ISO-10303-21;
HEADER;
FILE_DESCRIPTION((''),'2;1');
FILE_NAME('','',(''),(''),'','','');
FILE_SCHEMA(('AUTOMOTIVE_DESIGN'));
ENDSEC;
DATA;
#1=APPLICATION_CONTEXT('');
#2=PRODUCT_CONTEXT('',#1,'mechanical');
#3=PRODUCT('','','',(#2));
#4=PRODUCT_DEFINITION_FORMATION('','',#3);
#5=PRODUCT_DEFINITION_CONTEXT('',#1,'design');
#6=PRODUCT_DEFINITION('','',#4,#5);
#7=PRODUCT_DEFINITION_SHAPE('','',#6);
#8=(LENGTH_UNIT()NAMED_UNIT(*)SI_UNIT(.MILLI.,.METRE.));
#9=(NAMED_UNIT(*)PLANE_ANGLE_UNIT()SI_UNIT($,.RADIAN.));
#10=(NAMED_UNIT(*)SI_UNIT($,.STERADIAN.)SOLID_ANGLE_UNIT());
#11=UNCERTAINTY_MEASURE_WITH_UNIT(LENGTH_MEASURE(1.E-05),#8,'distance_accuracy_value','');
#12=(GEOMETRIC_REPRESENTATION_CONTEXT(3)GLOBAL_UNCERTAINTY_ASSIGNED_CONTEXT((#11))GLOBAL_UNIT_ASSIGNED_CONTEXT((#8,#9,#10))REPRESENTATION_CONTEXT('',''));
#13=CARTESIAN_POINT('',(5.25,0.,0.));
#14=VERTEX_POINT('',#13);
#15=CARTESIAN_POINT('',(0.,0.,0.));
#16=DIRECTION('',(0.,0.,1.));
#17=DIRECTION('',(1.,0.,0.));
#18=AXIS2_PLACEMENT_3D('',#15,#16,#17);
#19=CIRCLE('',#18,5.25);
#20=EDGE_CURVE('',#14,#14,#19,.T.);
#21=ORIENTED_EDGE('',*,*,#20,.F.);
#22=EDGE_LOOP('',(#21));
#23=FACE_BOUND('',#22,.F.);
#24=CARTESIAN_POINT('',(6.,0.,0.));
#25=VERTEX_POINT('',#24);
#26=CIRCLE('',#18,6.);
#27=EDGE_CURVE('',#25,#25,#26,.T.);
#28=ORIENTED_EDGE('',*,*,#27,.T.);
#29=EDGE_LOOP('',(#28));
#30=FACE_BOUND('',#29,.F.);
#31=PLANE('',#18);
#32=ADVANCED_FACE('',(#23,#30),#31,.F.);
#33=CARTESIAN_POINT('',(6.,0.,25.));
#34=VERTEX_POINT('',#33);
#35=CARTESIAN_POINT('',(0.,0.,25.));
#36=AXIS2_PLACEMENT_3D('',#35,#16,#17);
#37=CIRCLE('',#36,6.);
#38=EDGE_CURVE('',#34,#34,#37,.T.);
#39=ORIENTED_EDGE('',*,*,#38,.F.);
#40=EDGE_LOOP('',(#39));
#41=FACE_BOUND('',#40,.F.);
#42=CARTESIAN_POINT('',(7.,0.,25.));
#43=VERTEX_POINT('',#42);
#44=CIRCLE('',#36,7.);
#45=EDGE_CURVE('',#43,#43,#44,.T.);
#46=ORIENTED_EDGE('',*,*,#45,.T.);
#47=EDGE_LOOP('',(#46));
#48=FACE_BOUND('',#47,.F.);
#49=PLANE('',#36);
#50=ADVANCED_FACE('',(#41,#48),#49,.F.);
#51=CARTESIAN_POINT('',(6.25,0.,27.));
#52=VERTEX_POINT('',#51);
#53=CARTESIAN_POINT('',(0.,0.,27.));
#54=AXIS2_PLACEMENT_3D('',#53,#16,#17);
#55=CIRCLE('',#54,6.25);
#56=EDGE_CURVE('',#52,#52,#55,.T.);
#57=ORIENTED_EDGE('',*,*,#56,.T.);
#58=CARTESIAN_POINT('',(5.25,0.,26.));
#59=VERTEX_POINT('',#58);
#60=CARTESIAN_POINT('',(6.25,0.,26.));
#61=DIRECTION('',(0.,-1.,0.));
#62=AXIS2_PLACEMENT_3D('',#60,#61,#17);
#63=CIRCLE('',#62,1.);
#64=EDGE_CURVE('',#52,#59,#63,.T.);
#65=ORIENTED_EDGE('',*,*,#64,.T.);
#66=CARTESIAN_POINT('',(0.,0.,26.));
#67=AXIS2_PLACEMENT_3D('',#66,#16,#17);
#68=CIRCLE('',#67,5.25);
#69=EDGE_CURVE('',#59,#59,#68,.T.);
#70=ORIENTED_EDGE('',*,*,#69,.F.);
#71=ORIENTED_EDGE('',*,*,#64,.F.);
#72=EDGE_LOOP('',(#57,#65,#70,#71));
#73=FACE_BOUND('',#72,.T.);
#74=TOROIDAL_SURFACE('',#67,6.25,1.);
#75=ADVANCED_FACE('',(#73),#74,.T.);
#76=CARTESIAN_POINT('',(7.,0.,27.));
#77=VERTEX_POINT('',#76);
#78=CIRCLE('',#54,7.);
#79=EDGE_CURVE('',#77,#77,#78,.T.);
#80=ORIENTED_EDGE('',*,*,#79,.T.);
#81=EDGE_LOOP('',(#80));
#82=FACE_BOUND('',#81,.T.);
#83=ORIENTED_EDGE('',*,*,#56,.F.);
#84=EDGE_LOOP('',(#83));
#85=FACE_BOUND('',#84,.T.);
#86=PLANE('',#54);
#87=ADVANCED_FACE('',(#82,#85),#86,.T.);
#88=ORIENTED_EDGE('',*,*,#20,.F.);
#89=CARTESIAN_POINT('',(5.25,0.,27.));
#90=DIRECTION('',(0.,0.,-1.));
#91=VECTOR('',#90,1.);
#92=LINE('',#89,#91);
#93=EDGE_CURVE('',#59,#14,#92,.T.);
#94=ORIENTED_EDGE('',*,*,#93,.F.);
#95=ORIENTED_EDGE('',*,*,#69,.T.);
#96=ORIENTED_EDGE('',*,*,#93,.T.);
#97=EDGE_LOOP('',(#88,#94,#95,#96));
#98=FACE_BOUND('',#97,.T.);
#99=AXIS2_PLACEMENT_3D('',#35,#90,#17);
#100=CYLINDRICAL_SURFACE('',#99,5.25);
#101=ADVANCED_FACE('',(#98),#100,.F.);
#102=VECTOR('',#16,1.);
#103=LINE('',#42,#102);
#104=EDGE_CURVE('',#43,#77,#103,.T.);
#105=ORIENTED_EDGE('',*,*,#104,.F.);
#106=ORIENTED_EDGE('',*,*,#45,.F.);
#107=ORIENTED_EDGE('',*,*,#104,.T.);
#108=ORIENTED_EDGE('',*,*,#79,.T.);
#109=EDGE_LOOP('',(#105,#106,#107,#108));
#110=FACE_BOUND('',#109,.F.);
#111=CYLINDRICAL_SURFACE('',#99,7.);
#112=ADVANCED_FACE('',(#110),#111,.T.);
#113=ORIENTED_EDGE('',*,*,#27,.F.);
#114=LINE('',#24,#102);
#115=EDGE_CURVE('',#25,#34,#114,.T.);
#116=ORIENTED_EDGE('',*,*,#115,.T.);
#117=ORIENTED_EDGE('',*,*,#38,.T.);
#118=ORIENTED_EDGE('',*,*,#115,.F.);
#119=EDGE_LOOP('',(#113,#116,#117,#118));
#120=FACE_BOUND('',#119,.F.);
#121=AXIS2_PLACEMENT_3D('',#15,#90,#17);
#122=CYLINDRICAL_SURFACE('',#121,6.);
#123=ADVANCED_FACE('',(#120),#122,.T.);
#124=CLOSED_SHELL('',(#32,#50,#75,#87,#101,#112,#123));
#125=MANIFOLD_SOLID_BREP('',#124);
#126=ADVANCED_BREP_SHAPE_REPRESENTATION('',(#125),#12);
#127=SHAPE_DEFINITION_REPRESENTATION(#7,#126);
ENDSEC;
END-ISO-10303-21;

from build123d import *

# Parameters (mm, degrees)
SKETCH_R      = 6
SKETCH_R_2    = 5.25
PAD_DEPTH     = 25
SKETCH001_R   = 7
SKETCH001_R_2 = 5.25
PAD001_DEPTH  = 2
FILLET_R      = 1


with BuildPart() as part:
    # Sketch → Pad (new body)
    with BuildSketch(Plane.XY):
        Circle(SKETCH_R)
        Circle(SKETCH_R_2, mode=Mode.SUBTRACT)
    extrude(amount=PAD_DEPTH)

    # Sketch001 (on Face4 of Pad) → Pad001 (join)
    with BuildSketch(Plane.XY.offset(25)):
        Circle(SKETCH001_R)
        Circle(SKETCH001_R_2, mode=Mode.SUBTRACT)
    extrude(amount=PAD001_DEPTH)

    # Fillet
    fillet_edges = [part.edges().sort_by_distance(p)[0] for p in [
        (-5.25, 0, 27),
    ]]
    fillet(fillet_edges, radius=FILLET_R)


solid = part.part
